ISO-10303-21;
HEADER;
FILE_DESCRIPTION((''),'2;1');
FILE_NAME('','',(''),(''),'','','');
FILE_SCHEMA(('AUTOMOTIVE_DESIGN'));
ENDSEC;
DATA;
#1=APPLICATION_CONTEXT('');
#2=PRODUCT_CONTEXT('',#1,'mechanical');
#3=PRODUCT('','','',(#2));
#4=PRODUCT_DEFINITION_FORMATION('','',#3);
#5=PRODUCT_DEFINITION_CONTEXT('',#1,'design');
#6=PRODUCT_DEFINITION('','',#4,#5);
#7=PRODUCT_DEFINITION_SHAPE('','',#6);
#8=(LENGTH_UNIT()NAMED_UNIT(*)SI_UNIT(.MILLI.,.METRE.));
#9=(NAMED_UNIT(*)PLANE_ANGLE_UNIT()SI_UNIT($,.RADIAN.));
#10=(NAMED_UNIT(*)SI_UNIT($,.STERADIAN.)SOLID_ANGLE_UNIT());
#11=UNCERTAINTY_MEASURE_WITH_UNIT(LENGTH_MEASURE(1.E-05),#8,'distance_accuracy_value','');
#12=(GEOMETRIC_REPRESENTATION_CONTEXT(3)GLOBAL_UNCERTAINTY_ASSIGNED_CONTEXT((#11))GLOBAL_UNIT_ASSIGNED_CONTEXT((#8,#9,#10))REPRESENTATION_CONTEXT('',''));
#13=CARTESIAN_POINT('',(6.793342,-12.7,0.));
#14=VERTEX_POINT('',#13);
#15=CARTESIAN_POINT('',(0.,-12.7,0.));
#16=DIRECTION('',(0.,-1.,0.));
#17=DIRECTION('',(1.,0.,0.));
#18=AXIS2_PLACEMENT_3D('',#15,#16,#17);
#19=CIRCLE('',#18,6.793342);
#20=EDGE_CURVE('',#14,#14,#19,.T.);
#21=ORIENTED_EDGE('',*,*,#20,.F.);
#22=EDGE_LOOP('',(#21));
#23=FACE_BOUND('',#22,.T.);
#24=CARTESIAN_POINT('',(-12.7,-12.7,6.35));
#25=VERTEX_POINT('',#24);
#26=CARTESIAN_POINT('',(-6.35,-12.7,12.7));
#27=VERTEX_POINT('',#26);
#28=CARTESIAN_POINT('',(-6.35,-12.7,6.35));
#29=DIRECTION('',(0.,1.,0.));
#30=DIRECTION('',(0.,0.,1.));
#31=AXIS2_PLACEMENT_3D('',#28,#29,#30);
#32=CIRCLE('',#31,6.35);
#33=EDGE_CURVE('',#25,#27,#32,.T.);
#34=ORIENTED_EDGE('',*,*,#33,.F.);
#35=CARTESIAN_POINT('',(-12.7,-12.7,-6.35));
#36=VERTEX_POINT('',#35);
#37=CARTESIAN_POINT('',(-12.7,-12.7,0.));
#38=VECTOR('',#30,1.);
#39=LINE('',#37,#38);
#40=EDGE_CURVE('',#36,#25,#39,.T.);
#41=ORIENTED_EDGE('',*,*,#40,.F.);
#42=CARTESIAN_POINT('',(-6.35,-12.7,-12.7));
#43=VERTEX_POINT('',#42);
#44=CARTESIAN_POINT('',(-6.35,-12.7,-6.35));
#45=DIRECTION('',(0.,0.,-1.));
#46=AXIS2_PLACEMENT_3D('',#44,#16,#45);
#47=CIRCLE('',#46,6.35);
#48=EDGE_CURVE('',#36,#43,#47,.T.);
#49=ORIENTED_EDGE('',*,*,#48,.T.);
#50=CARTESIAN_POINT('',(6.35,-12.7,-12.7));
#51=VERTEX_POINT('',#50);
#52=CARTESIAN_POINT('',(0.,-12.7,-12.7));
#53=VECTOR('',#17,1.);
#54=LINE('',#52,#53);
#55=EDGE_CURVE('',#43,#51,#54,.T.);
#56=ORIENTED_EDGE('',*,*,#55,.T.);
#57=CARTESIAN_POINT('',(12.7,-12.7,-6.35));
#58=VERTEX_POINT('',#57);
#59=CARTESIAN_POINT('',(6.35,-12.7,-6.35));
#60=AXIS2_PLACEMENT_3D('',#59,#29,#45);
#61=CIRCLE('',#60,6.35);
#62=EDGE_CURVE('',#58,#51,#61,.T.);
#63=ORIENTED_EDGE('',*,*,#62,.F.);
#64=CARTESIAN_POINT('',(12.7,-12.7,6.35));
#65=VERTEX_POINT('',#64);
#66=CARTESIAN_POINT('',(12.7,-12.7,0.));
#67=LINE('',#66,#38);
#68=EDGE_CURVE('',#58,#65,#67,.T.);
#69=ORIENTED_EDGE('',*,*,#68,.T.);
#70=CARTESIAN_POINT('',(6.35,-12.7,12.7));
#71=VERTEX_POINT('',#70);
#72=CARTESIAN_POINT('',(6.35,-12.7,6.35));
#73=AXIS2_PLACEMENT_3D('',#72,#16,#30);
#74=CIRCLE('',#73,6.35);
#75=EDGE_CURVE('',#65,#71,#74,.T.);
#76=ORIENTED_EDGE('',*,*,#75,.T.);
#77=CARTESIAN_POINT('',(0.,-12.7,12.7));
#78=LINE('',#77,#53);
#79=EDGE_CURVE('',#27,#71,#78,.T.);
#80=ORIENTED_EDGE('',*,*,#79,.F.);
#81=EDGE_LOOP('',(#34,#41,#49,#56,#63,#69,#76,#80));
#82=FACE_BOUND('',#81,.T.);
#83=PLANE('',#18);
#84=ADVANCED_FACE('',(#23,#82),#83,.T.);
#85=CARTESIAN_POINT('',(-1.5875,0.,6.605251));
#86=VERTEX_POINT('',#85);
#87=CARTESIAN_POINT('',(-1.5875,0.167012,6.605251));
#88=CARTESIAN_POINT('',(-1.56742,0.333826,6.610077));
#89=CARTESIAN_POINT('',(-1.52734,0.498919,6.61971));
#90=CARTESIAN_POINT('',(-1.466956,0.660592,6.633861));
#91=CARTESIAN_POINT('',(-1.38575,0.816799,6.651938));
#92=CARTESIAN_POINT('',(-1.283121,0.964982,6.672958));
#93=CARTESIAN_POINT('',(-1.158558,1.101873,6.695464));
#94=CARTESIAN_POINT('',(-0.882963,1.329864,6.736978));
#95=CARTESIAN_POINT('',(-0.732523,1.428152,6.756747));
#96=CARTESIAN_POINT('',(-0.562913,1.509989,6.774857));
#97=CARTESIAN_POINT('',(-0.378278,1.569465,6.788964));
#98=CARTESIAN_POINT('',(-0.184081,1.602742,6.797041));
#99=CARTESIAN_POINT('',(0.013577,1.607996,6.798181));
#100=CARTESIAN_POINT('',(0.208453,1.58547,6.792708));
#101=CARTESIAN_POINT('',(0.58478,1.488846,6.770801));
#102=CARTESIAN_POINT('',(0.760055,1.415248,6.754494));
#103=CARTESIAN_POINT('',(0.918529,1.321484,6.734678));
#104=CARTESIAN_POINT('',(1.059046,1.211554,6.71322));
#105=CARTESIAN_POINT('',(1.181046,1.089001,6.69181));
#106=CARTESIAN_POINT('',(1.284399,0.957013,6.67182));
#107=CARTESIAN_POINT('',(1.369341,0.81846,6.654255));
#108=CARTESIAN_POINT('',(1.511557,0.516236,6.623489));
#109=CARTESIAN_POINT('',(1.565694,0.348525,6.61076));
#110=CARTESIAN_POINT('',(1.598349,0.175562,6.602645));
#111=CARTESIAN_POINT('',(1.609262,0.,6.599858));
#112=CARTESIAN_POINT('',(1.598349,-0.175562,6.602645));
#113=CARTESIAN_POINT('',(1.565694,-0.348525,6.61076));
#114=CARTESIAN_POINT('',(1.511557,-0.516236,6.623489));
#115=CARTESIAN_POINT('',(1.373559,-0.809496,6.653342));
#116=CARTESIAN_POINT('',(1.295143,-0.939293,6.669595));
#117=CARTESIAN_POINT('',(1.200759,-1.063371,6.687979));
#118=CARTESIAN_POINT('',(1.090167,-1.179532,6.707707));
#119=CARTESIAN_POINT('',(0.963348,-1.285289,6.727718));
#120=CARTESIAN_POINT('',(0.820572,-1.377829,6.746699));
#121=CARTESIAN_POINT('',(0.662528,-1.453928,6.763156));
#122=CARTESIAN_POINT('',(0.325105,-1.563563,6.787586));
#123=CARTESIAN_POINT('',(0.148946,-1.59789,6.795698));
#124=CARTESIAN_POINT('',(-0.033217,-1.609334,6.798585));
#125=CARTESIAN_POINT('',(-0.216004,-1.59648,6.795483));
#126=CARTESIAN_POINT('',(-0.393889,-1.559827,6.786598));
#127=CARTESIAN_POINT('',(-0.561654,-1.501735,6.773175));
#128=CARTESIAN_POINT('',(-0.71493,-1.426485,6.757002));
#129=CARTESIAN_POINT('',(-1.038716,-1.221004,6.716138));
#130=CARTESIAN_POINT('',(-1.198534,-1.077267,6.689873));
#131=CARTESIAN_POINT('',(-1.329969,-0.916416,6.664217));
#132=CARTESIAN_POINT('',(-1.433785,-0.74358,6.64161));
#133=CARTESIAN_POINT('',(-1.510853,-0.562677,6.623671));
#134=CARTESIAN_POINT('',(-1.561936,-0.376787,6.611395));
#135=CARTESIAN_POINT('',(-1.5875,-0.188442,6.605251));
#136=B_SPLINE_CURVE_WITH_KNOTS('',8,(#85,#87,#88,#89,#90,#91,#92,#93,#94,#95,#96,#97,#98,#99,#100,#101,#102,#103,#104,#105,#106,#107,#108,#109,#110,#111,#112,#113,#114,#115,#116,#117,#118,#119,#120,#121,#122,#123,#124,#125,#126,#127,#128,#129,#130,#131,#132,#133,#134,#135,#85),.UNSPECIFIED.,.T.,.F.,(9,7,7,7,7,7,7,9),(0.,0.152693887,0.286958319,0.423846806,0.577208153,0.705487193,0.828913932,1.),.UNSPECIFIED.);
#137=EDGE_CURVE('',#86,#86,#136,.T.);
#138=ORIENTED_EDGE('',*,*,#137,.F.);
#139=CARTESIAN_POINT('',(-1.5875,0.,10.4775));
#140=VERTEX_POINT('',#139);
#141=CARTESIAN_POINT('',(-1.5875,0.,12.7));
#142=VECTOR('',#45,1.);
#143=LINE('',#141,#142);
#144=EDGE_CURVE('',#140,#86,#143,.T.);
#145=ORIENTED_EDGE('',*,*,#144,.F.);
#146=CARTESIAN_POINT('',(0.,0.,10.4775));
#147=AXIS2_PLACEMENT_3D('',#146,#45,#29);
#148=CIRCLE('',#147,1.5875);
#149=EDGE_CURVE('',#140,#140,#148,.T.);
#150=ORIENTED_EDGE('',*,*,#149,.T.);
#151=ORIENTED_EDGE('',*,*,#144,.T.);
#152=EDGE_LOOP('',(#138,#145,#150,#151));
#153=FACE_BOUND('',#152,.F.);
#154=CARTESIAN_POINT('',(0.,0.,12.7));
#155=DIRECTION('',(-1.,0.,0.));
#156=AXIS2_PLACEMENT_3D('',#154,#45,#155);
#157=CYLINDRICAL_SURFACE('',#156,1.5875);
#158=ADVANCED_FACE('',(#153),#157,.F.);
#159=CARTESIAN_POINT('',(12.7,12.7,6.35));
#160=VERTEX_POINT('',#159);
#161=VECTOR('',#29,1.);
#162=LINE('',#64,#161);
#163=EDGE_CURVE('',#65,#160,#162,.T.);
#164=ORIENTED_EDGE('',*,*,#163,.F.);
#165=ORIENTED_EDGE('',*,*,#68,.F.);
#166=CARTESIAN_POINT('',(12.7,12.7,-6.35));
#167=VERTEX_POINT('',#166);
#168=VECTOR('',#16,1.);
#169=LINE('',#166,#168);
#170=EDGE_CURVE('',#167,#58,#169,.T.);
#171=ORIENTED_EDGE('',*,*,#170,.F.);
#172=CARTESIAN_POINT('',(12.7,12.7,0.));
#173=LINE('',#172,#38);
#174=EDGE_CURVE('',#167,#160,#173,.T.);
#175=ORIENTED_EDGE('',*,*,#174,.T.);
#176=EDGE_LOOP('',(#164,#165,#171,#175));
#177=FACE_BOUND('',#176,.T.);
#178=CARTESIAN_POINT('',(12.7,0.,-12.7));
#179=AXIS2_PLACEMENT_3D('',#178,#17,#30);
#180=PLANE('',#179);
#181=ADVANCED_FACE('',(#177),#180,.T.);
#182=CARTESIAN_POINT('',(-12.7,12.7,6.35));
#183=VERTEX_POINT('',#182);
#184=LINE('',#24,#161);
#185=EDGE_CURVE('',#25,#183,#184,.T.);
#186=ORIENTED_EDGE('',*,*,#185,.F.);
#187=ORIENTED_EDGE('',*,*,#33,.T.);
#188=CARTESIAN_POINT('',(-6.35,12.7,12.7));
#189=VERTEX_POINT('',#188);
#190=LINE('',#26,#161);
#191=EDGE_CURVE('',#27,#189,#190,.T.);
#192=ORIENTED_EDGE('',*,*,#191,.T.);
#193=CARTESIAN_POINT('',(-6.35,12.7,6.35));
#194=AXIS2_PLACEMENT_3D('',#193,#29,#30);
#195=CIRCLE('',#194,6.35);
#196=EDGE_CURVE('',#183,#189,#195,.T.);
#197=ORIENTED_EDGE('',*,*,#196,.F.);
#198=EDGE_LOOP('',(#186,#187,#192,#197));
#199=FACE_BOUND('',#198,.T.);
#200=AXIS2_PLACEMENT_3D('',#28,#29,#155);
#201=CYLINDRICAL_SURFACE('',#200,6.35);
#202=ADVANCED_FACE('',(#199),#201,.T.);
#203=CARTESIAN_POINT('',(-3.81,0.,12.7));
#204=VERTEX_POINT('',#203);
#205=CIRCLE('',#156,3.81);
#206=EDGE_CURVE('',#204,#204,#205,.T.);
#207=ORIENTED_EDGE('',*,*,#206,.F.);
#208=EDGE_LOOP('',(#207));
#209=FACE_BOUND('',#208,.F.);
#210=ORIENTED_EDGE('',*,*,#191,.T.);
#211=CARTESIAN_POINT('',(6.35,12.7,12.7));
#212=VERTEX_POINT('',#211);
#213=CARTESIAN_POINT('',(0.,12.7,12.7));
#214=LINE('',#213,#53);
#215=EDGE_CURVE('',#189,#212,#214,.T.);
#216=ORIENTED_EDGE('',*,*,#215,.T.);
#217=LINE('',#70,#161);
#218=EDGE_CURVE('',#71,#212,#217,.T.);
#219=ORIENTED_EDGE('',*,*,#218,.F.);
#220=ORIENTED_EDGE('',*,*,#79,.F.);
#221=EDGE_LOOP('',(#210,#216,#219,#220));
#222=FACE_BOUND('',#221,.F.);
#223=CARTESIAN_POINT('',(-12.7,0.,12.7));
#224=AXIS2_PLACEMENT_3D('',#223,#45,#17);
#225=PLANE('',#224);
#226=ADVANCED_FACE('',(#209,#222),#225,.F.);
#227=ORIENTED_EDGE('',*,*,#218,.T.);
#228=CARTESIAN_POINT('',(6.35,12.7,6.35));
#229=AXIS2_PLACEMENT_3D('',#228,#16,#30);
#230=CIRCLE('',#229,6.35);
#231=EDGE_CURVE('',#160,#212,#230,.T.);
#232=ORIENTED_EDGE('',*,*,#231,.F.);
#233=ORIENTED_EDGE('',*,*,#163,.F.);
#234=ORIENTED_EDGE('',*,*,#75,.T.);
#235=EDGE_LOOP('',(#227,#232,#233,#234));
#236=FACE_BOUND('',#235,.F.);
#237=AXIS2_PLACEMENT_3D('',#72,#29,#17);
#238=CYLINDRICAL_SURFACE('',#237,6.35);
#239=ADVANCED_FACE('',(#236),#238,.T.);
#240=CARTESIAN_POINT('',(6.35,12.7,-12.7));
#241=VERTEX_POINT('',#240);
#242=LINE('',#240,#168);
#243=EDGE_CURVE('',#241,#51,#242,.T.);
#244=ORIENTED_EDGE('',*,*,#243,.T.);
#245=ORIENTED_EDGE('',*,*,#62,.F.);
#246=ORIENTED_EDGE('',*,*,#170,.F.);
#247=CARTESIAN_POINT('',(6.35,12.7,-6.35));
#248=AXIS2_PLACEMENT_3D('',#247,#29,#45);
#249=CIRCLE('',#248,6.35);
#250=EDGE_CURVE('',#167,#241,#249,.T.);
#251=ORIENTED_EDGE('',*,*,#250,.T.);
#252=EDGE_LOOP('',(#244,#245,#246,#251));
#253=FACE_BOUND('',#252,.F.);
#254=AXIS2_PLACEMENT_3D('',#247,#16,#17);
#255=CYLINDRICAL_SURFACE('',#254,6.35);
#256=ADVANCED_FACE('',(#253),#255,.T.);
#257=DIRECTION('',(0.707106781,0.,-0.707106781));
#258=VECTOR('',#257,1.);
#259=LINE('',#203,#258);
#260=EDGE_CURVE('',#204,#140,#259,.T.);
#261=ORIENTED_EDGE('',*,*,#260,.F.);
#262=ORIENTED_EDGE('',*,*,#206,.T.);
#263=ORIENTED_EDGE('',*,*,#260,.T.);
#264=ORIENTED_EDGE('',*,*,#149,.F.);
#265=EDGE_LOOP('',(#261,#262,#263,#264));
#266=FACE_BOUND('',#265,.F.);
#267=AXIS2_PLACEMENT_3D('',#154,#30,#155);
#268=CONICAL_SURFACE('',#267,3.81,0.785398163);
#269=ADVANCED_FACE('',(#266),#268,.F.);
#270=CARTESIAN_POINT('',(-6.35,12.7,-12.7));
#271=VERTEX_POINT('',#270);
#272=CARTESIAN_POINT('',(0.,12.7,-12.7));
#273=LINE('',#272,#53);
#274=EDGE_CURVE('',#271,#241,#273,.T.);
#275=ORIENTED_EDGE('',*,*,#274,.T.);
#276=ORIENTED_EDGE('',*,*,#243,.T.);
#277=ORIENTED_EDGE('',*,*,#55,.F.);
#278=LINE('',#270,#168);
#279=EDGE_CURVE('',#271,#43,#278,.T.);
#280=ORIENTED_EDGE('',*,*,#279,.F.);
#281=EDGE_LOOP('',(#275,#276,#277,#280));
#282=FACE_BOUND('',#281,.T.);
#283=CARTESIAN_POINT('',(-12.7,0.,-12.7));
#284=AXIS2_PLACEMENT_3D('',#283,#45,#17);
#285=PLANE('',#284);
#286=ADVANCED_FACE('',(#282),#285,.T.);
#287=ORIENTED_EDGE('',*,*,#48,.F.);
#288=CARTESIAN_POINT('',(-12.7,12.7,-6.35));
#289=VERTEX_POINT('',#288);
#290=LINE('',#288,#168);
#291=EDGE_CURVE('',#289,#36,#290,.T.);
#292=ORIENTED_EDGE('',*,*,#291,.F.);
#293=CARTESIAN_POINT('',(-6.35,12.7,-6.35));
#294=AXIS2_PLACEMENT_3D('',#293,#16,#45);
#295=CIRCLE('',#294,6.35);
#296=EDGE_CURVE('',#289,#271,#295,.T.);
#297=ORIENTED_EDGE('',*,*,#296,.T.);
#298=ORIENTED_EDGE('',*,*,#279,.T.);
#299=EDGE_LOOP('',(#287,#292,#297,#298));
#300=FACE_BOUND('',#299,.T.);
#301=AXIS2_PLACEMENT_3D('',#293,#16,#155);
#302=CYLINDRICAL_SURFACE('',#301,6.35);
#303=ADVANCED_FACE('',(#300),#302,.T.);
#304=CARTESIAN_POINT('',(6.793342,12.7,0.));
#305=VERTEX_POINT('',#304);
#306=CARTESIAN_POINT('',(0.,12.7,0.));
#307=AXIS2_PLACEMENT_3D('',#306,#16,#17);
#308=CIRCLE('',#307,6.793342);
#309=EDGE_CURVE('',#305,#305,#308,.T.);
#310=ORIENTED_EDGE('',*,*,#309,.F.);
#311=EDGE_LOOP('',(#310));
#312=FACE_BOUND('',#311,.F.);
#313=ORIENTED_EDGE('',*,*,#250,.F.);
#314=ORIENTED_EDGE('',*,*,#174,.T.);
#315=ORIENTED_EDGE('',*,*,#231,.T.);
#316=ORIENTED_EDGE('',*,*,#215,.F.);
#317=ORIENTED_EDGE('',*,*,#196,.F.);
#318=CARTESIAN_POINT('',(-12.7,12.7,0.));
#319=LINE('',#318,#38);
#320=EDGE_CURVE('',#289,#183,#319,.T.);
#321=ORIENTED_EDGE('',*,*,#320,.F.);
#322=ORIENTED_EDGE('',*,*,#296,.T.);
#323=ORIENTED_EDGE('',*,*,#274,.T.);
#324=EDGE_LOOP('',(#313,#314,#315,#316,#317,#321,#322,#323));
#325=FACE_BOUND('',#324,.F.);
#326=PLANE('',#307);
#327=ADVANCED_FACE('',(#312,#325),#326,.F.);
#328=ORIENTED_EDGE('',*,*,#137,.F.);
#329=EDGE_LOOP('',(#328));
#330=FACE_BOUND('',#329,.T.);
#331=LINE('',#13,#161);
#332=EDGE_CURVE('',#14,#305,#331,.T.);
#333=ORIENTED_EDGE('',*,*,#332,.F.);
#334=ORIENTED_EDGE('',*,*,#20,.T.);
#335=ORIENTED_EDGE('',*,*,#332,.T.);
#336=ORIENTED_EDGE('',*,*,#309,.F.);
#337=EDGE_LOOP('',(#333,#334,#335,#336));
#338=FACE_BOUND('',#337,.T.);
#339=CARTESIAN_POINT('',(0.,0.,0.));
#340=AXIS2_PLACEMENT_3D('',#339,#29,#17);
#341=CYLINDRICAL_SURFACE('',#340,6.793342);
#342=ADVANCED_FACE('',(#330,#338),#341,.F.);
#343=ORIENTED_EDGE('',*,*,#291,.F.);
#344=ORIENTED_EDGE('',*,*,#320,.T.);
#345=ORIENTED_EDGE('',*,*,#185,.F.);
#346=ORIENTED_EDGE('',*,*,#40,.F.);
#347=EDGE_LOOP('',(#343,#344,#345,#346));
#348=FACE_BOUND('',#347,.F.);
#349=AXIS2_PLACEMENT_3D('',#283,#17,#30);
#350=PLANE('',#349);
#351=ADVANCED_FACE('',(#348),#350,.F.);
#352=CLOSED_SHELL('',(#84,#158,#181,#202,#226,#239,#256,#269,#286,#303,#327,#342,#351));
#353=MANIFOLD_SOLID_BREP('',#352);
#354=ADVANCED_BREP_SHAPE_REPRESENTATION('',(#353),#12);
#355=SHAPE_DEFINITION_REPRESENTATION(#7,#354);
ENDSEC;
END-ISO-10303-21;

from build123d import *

# Parameters (mm, degrees)
F0_W           = 25.4
F0_H           = 25.4
F0_R           = 6.793342
F1_DEPTH       = 12.7
F2_R           = 6.35
F4_D           = 3.175
F4_DEPTH       = 12.7
F4_CSINK_D     = 7.62
F4_CSINK_ANGLE = 90


with BuildPart() as f1:
    # F0 (on Front) → F1 (new body, symmetric)
    with BuildSketch(Plane.XZ):
        Rectangle(F0_W, F0_H)
        Circle(F0_R, mode=Mode.SUBTRACT)
    extrude(amount=F1_DEPTH, both=True)

    # F2
    f2_edges = [f1.edges().sort_by_distance(p)[0] for p in [
        (12.7, 0, 12.7),
        (-12.7, 0, 12.7),
        (-12.7, 0, -12.7),
        (12.7, 0, -12.7),
    ]]
    fillet(f2_edges, radius=F2_R)

    # F4
    with Locations(Plane.XY.offset(12.7)):
        with Locations((0, 0)):
            CounterSinkHole(F4_D / 2, F4_CSINK_D / 2, depth=F4_DEPTH, counter_sink_angle=F4_CSINK_ANGLE)


solid = f1.part
